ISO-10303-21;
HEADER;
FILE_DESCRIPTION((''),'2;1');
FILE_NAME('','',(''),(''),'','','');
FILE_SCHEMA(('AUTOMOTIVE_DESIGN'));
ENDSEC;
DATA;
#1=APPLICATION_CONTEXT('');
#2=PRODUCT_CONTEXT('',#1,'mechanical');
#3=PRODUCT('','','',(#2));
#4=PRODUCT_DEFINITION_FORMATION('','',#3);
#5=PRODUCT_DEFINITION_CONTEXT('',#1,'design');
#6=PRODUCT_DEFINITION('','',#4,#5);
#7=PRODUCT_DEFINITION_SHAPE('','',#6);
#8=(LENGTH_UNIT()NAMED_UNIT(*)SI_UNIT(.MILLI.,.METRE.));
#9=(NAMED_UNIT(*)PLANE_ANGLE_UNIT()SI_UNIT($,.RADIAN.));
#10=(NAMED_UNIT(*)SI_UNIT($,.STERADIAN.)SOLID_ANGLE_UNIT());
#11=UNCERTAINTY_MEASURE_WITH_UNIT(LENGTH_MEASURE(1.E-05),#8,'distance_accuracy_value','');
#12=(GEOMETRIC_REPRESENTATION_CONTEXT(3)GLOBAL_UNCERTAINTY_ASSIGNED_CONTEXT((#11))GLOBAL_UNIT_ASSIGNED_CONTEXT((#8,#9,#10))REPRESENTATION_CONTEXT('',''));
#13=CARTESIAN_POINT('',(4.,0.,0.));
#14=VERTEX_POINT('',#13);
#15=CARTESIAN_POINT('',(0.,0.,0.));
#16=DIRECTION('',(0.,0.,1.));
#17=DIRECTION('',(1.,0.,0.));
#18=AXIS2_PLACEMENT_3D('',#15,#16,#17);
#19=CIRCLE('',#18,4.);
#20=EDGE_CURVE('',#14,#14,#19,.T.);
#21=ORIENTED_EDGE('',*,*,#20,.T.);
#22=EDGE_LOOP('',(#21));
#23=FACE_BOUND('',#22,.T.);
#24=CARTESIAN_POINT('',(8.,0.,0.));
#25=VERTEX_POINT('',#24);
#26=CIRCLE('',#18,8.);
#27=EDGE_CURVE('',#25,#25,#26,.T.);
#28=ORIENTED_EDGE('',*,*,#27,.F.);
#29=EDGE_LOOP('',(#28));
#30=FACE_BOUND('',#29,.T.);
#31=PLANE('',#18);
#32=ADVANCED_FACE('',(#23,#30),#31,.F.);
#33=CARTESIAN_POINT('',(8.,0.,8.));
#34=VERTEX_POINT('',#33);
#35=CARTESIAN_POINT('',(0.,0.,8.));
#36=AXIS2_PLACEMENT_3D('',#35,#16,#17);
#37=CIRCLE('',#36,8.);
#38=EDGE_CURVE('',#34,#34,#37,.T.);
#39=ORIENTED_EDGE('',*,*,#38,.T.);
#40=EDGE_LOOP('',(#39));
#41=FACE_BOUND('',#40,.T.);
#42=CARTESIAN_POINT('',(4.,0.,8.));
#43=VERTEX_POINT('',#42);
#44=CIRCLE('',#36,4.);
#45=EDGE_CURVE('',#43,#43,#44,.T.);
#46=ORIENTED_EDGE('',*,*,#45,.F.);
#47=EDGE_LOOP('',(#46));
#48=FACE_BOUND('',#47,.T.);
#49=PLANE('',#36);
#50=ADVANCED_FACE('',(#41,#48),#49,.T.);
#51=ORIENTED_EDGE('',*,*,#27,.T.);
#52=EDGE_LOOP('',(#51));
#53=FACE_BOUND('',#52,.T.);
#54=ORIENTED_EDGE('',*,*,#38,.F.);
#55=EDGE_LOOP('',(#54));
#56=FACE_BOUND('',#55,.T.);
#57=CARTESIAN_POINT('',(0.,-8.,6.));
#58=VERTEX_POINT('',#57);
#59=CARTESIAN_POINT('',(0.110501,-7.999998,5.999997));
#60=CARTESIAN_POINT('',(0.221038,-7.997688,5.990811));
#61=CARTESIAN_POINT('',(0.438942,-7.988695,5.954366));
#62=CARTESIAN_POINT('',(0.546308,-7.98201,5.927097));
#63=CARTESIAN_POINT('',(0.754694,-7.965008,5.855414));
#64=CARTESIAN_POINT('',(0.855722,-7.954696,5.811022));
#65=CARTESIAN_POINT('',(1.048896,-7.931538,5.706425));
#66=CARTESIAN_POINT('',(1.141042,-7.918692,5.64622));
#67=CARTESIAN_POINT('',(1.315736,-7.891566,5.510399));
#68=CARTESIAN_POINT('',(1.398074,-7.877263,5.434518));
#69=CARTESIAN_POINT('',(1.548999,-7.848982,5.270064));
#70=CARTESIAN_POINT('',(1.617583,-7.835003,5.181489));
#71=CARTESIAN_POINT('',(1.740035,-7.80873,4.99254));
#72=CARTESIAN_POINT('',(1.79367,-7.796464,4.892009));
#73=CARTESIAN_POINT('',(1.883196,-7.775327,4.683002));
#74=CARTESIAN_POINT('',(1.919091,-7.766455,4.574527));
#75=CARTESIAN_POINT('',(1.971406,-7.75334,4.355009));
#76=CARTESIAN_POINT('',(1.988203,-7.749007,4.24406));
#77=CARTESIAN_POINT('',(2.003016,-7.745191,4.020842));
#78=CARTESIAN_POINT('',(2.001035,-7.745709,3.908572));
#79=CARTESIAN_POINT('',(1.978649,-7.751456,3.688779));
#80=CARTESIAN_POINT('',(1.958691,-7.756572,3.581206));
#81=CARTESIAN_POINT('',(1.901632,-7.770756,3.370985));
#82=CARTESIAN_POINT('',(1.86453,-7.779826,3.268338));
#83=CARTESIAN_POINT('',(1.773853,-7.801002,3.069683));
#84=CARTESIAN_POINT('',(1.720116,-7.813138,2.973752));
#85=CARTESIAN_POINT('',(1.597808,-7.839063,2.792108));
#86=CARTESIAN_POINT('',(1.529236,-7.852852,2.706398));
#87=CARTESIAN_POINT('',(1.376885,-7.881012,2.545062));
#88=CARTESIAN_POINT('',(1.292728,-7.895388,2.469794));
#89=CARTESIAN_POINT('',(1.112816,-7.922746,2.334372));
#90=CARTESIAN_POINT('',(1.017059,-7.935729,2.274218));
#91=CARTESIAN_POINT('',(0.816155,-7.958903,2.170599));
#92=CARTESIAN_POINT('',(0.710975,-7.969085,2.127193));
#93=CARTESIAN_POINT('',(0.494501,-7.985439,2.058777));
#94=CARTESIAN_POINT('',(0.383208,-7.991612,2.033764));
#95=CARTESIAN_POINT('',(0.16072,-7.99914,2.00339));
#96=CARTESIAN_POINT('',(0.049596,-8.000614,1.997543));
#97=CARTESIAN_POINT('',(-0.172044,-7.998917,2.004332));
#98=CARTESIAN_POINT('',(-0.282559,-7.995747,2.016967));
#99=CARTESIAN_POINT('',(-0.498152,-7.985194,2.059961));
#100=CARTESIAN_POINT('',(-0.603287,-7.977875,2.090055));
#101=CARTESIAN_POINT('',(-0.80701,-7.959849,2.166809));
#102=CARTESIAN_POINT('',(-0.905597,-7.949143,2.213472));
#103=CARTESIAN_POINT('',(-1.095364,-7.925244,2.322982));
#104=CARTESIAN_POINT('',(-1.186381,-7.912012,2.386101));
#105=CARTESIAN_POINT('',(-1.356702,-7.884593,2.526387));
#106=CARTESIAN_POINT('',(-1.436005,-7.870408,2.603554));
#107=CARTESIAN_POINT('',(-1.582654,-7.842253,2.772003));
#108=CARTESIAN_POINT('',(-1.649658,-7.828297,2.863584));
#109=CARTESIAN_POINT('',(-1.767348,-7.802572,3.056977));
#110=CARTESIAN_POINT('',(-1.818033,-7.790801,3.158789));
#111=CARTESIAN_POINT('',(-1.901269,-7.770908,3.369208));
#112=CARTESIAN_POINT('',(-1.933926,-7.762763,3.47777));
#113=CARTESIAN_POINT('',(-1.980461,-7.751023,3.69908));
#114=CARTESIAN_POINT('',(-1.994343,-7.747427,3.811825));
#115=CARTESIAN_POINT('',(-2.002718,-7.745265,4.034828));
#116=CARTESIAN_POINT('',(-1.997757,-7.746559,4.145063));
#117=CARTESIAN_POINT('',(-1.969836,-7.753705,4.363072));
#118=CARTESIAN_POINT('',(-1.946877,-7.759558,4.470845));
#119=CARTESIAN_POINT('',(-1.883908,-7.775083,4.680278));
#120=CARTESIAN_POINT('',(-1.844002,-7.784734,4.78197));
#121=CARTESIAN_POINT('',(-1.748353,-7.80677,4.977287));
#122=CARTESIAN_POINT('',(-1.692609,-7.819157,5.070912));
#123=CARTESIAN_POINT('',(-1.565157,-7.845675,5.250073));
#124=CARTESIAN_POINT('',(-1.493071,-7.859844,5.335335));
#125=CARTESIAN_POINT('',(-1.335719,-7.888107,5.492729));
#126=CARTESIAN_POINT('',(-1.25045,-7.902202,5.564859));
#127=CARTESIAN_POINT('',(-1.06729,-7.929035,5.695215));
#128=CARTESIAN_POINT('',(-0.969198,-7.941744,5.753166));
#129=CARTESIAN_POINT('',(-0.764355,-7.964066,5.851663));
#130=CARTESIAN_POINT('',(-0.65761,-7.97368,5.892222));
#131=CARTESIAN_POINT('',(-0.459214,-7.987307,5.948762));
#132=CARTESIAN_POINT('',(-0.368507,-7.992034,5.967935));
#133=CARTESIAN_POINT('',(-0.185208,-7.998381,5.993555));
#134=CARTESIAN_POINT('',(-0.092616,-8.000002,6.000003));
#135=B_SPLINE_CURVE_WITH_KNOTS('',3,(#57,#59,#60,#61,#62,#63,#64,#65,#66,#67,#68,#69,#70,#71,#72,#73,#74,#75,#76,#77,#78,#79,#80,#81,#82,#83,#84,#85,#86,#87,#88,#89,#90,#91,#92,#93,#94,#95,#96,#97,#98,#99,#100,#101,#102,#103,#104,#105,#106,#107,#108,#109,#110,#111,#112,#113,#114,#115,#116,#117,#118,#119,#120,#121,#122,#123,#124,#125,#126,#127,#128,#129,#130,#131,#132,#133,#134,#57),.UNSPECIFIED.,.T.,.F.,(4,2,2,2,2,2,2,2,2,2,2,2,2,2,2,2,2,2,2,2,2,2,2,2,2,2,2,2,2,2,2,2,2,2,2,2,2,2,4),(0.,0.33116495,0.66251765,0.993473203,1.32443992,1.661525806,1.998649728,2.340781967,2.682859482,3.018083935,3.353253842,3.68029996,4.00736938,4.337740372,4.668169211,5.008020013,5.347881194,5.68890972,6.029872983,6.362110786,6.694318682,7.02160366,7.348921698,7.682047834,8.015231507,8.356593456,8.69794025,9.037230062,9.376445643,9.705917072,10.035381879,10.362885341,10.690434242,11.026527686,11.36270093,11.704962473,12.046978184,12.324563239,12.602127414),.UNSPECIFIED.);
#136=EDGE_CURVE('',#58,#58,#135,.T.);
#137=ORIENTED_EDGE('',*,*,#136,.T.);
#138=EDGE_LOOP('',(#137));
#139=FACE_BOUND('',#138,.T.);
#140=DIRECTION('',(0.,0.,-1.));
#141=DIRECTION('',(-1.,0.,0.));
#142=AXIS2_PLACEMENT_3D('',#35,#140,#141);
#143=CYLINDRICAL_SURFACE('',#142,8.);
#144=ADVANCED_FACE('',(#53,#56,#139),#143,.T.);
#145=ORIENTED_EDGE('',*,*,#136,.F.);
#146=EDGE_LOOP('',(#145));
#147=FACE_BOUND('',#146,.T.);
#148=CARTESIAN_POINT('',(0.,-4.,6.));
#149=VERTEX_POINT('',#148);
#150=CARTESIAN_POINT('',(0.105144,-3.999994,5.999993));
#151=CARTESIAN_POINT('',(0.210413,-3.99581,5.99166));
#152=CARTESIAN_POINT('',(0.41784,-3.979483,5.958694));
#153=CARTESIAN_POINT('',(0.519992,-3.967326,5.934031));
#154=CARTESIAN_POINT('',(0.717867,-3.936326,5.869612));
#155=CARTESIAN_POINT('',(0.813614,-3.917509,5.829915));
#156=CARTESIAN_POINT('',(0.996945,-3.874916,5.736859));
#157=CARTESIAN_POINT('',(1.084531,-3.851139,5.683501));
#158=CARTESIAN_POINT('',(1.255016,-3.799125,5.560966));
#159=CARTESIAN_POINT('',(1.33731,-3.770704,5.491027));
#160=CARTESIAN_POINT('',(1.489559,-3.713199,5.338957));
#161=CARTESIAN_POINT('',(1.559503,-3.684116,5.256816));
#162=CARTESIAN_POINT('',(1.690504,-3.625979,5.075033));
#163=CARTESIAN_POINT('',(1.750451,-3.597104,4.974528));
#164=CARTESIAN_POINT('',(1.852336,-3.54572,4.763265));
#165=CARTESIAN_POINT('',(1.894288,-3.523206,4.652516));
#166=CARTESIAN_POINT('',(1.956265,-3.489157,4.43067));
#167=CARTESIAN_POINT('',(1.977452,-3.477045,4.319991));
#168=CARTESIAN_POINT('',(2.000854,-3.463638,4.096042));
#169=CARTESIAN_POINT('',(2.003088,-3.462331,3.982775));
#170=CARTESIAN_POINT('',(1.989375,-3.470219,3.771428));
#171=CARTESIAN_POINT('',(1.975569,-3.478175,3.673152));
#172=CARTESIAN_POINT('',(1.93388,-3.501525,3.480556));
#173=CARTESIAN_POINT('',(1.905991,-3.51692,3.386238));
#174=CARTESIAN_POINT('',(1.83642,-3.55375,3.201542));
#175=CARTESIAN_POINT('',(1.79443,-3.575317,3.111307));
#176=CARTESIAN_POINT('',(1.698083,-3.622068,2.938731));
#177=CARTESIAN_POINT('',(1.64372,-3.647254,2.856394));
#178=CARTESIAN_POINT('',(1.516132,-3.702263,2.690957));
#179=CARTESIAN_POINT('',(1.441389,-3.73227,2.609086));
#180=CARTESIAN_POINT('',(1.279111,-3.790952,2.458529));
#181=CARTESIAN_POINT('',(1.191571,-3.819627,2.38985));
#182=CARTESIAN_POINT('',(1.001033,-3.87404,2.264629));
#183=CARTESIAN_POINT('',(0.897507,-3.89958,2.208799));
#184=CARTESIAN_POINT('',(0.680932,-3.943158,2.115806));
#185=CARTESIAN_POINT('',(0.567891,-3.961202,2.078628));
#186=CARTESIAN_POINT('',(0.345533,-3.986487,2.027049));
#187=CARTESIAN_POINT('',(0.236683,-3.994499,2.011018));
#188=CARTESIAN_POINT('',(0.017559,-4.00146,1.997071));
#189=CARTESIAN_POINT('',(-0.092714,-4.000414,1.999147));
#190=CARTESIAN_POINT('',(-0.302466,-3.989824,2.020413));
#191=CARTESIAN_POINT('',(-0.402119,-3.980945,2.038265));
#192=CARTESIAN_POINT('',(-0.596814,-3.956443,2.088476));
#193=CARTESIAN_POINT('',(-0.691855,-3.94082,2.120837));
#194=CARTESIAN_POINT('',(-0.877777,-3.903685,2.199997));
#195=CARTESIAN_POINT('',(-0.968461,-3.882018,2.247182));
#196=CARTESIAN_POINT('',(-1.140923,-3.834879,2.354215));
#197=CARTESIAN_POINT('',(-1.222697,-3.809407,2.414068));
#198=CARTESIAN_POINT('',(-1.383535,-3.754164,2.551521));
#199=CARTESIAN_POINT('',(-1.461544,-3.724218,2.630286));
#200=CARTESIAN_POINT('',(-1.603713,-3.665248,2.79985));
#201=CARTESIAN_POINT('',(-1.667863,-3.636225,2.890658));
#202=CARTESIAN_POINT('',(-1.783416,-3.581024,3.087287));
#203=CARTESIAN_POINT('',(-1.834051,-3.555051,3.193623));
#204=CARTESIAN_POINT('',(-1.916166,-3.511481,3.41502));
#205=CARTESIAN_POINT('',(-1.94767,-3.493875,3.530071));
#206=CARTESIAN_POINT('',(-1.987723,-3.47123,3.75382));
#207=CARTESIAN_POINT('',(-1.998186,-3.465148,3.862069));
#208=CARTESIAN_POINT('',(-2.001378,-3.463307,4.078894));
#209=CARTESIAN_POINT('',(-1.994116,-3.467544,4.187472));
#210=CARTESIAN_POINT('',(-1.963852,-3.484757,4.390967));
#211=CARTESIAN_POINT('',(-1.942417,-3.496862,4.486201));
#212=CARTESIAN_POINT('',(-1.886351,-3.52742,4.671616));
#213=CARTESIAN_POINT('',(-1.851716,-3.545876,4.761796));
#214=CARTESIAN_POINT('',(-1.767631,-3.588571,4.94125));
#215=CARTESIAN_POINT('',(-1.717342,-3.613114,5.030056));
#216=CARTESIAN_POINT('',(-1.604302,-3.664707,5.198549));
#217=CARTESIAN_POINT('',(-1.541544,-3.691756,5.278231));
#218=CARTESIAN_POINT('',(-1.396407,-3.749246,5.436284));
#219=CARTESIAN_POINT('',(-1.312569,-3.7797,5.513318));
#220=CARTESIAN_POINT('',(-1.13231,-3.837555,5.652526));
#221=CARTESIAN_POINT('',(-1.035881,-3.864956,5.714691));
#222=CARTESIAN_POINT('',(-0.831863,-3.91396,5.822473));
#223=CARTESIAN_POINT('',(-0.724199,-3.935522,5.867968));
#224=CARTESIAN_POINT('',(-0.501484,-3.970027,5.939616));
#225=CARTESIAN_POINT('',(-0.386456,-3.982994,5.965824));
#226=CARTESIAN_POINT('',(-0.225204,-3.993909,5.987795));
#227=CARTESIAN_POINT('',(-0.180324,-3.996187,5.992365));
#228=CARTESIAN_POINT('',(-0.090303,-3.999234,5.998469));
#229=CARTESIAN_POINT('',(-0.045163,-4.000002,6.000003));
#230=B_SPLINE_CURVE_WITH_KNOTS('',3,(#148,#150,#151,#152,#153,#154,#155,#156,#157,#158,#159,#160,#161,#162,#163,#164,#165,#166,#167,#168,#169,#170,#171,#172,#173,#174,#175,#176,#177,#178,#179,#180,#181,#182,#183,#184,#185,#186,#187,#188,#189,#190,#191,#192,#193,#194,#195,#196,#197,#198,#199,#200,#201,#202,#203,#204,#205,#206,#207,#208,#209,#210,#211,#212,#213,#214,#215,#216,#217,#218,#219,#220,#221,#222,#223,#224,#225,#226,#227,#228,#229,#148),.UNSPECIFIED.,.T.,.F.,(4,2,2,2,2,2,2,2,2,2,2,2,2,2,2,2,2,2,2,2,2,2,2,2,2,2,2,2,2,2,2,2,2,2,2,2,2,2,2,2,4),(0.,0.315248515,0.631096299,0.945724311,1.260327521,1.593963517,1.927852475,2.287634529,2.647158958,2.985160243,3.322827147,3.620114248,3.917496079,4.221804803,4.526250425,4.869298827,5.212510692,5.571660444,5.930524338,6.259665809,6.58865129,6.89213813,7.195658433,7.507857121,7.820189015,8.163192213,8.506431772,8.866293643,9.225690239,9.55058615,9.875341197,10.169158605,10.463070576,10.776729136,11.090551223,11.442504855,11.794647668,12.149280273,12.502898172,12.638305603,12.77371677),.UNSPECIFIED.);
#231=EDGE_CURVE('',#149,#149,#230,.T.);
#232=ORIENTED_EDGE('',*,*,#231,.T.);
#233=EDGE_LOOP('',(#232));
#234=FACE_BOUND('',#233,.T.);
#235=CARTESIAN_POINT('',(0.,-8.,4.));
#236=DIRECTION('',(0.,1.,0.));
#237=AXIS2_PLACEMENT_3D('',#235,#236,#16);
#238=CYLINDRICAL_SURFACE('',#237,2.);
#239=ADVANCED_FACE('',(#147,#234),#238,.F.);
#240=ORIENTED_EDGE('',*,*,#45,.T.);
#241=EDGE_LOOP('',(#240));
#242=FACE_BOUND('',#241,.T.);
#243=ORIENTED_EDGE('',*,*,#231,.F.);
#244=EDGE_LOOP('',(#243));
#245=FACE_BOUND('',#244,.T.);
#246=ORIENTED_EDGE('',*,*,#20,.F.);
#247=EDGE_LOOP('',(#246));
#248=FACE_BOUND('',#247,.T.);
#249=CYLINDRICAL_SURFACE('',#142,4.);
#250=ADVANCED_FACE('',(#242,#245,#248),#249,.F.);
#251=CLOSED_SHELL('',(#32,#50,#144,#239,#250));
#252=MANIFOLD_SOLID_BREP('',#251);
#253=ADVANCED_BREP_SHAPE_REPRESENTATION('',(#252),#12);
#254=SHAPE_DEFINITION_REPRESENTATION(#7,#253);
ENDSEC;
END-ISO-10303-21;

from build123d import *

# Parameters (mm, degrees)
ESQUISSE1_R             = 8
ESQUISSE1_R_2           = 4
BOSS_EXTRU_1_DEPTH      = 8
ESQUISSE2_R             = 2
ENL_V_MAT_EXTRU_1_DEPTH = 14.856406461


with BuildPart() as part:
    # Esquisse1 → Boss.-Extru.1 (new body)
    with BuildSketch(Plane.XY):
        Circle(ESQUISSE1_R)
        Circle(ESQUISSE1_R_2, mode=Mode.SUBTRACT)
    extrude(amount=BOSS_EXTRU_1_DEPTH)

    # Esquisse2 → Enlèv. mat.-Extru.1 (cut, through all)
    with BuildSketch(Plane(origin=(0, 0, 0), x_dir=(1, 0, 0), z_dir=(0, 1, 0))):
        with Locations(Location((0, -4, 0), (0, 0, 270))):
            Circle(ESQUISSE2_R)
    extrude(amount=-ENL_V_MAT_EXTRU_1_DEPTH, mode=Mode.SUBTRACT)


solid = part.part
